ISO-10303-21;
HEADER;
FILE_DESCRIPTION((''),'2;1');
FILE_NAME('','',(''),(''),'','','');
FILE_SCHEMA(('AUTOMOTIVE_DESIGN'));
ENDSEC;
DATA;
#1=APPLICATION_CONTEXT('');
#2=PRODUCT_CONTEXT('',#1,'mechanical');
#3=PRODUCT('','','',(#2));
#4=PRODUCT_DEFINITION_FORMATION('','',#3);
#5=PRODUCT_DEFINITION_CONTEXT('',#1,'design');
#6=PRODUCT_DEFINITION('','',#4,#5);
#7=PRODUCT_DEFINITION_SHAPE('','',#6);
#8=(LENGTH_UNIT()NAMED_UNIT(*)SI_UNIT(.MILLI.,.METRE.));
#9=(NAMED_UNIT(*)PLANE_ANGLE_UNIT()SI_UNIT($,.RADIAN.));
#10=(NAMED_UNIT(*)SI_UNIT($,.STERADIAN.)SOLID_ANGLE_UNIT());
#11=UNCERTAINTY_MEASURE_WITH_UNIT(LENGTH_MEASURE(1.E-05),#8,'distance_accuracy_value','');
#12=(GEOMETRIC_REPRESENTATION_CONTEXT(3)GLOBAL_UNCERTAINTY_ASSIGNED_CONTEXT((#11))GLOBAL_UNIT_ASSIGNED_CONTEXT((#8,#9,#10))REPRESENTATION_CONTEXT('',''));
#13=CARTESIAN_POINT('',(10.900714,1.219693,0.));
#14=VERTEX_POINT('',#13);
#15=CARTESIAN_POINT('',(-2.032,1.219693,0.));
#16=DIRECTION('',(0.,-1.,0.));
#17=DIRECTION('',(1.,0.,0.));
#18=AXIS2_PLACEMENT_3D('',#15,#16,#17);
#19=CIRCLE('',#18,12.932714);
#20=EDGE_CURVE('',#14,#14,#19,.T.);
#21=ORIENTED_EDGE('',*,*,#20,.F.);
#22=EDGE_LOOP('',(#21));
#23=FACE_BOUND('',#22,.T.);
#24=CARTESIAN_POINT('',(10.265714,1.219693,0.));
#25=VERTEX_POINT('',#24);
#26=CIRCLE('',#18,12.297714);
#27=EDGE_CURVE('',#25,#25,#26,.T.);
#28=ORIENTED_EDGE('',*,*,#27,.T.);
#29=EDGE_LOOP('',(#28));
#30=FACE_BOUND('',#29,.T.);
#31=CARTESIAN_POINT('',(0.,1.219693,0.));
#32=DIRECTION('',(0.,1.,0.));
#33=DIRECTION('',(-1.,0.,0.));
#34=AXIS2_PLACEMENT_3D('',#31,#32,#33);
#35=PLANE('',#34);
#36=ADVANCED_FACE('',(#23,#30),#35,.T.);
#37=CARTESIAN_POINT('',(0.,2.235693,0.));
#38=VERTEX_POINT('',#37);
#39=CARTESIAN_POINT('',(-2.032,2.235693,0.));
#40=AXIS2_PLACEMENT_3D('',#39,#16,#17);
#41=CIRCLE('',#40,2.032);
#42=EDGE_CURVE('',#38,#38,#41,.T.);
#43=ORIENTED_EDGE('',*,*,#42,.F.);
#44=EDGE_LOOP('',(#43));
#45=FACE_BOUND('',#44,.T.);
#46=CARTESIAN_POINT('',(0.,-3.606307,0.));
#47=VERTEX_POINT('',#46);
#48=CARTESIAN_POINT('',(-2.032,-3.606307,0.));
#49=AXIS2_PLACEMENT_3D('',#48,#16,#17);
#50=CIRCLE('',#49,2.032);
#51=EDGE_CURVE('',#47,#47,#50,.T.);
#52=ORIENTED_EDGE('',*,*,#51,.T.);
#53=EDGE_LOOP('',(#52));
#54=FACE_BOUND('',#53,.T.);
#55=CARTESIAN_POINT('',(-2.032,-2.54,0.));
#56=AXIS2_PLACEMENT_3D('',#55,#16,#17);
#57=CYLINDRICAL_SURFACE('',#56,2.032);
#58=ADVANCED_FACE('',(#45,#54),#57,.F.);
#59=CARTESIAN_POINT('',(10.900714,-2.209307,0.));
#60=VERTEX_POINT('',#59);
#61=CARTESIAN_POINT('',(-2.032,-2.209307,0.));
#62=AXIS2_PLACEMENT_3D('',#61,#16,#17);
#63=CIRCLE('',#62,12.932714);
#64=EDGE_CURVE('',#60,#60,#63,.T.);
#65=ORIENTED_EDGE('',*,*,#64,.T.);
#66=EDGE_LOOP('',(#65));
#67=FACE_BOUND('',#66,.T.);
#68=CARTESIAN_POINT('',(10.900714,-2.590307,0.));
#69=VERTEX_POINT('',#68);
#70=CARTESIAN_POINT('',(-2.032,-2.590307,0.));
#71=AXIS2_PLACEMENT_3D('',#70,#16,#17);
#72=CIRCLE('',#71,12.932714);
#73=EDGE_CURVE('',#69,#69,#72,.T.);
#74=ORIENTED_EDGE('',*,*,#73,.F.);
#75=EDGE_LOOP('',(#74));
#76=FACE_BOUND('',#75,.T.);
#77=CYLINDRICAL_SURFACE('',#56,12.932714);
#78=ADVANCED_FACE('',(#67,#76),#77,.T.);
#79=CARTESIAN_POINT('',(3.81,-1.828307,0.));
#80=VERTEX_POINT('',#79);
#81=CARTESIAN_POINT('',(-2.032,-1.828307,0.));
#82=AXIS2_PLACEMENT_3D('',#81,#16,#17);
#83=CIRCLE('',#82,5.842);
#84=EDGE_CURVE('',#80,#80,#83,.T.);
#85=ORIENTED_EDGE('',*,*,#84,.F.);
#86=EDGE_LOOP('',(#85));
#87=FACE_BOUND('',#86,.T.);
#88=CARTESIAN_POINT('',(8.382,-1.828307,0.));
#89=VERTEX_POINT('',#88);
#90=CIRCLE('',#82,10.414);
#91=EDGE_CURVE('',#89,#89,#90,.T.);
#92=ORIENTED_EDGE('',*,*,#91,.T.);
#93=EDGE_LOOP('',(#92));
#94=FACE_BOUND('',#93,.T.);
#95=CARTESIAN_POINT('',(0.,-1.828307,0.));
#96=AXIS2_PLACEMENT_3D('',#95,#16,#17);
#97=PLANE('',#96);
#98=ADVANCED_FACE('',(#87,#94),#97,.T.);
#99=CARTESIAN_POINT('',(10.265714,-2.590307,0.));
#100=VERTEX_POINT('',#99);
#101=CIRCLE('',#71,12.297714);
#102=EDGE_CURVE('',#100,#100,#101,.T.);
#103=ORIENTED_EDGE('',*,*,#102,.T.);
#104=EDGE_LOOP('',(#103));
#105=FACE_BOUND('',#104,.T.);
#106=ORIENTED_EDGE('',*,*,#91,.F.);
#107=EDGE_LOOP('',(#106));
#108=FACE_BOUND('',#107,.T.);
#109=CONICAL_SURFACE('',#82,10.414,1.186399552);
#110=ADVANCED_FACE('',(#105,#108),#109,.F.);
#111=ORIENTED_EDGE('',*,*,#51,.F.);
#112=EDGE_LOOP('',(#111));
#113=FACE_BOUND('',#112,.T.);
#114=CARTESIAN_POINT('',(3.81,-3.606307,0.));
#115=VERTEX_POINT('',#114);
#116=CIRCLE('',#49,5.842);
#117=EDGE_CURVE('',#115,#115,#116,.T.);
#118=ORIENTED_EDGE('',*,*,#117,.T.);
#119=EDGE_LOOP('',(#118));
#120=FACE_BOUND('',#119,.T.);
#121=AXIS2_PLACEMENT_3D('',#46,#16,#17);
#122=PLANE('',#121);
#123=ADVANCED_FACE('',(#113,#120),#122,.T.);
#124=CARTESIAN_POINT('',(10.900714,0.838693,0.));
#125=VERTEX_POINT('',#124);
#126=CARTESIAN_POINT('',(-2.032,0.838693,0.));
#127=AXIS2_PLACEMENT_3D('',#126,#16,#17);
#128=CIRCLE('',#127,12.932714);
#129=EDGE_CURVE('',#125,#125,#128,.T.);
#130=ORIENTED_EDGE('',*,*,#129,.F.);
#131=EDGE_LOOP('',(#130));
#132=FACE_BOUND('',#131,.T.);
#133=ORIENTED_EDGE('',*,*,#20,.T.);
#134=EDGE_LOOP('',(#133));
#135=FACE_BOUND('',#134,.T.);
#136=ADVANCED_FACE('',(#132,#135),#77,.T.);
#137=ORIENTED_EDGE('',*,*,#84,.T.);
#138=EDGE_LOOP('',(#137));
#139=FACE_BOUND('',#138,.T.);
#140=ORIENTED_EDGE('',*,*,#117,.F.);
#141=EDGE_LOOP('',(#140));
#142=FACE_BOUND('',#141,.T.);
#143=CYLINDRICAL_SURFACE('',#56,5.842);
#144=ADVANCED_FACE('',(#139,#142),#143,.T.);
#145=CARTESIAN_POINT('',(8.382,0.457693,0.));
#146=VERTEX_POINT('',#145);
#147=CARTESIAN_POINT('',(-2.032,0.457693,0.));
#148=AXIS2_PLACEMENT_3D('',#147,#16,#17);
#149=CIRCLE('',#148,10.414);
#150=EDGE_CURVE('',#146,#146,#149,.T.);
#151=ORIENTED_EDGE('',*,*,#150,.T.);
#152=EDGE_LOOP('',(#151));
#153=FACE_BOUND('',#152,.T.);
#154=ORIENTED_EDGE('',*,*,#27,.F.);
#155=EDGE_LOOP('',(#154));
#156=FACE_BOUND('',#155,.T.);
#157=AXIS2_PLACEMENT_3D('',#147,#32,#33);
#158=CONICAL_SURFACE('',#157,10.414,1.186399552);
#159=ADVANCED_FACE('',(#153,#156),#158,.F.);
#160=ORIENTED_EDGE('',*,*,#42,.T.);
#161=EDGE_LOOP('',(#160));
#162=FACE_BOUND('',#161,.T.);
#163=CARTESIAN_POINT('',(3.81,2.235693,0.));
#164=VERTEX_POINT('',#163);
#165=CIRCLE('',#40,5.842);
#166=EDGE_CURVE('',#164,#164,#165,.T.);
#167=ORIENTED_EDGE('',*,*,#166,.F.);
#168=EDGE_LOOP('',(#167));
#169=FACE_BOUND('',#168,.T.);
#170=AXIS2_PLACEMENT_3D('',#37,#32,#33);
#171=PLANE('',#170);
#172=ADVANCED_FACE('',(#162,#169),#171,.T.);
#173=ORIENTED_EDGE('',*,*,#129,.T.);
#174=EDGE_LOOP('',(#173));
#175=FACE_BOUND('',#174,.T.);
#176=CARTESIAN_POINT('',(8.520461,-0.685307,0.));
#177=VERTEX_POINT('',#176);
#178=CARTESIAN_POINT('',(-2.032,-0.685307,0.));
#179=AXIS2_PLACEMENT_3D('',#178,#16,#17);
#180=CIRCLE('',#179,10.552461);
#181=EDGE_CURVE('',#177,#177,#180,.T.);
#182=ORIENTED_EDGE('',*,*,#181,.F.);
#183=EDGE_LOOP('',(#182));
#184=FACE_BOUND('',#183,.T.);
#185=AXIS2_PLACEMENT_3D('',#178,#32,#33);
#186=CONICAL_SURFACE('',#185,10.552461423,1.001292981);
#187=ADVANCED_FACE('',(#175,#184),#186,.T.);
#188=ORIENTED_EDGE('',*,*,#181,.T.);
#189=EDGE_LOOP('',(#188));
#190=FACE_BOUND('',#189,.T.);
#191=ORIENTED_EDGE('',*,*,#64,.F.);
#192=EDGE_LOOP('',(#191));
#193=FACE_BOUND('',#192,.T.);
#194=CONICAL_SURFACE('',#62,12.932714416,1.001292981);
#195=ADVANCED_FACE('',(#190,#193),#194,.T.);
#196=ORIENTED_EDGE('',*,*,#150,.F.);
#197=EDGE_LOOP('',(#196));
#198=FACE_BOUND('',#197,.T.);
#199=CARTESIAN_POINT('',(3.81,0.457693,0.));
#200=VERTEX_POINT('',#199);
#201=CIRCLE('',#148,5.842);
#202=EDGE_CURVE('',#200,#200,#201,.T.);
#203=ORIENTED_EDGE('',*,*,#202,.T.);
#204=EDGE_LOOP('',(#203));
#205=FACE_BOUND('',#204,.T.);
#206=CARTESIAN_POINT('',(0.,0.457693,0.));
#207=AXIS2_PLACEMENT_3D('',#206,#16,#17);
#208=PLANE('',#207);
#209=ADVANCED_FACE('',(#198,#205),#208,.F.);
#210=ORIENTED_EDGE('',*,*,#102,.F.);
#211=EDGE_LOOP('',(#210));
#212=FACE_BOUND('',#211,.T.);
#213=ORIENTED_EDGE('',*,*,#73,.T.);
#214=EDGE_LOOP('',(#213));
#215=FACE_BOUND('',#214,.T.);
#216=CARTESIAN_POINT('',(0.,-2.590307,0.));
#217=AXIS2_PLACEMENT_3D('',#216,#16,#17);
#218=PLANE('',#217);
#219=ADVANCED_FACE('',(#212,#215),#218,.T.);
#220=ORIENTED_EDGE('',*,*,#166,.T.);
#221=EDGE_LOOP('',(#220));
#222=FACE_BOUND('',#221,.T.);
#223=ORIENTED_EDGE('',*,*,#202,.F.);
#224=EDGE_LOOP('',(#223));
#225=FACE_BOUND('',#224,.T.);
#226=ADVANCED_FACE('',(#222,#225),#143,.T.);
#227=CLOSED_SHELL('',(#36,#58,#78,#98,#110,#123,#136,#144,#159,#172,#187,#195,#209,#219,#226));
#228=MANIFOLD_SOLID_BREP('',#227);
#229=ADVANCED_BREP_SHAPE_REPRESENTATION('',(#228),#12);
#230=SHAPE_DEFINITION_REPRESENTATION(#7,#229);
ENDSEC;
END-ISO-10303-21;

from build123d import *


with BuildPart() as part:
    # Sketch1 → Revolution1 (revolve)
    with BuildSketch(Plane.XY):
        Polygon((3.81, -1.828307296), (3.81, 0.457692704), (3.81, 2.235692704), (0, 2.235692704), (0, -3.606307296), (3.81, -3.606307296), align=None)
        Polygon((8.382, 0.457692704), (3.81, 0.457692704), (3.81, -1.828307296), (8.382, -1.828307296), (10.265714416, -2.590307296), (10.900714416, -2.590307296), (10.900714416, -2.209307296), (8.520461423, -0.685307296), (10.900714416, 0.838692704), (10.900714416, 1.219692704), (10.265714416, 1.219692704), align=None)
    revolve(axis=Axis((-2.032, -2.54, 0), (0, 1, 0)))


solid = part.part
